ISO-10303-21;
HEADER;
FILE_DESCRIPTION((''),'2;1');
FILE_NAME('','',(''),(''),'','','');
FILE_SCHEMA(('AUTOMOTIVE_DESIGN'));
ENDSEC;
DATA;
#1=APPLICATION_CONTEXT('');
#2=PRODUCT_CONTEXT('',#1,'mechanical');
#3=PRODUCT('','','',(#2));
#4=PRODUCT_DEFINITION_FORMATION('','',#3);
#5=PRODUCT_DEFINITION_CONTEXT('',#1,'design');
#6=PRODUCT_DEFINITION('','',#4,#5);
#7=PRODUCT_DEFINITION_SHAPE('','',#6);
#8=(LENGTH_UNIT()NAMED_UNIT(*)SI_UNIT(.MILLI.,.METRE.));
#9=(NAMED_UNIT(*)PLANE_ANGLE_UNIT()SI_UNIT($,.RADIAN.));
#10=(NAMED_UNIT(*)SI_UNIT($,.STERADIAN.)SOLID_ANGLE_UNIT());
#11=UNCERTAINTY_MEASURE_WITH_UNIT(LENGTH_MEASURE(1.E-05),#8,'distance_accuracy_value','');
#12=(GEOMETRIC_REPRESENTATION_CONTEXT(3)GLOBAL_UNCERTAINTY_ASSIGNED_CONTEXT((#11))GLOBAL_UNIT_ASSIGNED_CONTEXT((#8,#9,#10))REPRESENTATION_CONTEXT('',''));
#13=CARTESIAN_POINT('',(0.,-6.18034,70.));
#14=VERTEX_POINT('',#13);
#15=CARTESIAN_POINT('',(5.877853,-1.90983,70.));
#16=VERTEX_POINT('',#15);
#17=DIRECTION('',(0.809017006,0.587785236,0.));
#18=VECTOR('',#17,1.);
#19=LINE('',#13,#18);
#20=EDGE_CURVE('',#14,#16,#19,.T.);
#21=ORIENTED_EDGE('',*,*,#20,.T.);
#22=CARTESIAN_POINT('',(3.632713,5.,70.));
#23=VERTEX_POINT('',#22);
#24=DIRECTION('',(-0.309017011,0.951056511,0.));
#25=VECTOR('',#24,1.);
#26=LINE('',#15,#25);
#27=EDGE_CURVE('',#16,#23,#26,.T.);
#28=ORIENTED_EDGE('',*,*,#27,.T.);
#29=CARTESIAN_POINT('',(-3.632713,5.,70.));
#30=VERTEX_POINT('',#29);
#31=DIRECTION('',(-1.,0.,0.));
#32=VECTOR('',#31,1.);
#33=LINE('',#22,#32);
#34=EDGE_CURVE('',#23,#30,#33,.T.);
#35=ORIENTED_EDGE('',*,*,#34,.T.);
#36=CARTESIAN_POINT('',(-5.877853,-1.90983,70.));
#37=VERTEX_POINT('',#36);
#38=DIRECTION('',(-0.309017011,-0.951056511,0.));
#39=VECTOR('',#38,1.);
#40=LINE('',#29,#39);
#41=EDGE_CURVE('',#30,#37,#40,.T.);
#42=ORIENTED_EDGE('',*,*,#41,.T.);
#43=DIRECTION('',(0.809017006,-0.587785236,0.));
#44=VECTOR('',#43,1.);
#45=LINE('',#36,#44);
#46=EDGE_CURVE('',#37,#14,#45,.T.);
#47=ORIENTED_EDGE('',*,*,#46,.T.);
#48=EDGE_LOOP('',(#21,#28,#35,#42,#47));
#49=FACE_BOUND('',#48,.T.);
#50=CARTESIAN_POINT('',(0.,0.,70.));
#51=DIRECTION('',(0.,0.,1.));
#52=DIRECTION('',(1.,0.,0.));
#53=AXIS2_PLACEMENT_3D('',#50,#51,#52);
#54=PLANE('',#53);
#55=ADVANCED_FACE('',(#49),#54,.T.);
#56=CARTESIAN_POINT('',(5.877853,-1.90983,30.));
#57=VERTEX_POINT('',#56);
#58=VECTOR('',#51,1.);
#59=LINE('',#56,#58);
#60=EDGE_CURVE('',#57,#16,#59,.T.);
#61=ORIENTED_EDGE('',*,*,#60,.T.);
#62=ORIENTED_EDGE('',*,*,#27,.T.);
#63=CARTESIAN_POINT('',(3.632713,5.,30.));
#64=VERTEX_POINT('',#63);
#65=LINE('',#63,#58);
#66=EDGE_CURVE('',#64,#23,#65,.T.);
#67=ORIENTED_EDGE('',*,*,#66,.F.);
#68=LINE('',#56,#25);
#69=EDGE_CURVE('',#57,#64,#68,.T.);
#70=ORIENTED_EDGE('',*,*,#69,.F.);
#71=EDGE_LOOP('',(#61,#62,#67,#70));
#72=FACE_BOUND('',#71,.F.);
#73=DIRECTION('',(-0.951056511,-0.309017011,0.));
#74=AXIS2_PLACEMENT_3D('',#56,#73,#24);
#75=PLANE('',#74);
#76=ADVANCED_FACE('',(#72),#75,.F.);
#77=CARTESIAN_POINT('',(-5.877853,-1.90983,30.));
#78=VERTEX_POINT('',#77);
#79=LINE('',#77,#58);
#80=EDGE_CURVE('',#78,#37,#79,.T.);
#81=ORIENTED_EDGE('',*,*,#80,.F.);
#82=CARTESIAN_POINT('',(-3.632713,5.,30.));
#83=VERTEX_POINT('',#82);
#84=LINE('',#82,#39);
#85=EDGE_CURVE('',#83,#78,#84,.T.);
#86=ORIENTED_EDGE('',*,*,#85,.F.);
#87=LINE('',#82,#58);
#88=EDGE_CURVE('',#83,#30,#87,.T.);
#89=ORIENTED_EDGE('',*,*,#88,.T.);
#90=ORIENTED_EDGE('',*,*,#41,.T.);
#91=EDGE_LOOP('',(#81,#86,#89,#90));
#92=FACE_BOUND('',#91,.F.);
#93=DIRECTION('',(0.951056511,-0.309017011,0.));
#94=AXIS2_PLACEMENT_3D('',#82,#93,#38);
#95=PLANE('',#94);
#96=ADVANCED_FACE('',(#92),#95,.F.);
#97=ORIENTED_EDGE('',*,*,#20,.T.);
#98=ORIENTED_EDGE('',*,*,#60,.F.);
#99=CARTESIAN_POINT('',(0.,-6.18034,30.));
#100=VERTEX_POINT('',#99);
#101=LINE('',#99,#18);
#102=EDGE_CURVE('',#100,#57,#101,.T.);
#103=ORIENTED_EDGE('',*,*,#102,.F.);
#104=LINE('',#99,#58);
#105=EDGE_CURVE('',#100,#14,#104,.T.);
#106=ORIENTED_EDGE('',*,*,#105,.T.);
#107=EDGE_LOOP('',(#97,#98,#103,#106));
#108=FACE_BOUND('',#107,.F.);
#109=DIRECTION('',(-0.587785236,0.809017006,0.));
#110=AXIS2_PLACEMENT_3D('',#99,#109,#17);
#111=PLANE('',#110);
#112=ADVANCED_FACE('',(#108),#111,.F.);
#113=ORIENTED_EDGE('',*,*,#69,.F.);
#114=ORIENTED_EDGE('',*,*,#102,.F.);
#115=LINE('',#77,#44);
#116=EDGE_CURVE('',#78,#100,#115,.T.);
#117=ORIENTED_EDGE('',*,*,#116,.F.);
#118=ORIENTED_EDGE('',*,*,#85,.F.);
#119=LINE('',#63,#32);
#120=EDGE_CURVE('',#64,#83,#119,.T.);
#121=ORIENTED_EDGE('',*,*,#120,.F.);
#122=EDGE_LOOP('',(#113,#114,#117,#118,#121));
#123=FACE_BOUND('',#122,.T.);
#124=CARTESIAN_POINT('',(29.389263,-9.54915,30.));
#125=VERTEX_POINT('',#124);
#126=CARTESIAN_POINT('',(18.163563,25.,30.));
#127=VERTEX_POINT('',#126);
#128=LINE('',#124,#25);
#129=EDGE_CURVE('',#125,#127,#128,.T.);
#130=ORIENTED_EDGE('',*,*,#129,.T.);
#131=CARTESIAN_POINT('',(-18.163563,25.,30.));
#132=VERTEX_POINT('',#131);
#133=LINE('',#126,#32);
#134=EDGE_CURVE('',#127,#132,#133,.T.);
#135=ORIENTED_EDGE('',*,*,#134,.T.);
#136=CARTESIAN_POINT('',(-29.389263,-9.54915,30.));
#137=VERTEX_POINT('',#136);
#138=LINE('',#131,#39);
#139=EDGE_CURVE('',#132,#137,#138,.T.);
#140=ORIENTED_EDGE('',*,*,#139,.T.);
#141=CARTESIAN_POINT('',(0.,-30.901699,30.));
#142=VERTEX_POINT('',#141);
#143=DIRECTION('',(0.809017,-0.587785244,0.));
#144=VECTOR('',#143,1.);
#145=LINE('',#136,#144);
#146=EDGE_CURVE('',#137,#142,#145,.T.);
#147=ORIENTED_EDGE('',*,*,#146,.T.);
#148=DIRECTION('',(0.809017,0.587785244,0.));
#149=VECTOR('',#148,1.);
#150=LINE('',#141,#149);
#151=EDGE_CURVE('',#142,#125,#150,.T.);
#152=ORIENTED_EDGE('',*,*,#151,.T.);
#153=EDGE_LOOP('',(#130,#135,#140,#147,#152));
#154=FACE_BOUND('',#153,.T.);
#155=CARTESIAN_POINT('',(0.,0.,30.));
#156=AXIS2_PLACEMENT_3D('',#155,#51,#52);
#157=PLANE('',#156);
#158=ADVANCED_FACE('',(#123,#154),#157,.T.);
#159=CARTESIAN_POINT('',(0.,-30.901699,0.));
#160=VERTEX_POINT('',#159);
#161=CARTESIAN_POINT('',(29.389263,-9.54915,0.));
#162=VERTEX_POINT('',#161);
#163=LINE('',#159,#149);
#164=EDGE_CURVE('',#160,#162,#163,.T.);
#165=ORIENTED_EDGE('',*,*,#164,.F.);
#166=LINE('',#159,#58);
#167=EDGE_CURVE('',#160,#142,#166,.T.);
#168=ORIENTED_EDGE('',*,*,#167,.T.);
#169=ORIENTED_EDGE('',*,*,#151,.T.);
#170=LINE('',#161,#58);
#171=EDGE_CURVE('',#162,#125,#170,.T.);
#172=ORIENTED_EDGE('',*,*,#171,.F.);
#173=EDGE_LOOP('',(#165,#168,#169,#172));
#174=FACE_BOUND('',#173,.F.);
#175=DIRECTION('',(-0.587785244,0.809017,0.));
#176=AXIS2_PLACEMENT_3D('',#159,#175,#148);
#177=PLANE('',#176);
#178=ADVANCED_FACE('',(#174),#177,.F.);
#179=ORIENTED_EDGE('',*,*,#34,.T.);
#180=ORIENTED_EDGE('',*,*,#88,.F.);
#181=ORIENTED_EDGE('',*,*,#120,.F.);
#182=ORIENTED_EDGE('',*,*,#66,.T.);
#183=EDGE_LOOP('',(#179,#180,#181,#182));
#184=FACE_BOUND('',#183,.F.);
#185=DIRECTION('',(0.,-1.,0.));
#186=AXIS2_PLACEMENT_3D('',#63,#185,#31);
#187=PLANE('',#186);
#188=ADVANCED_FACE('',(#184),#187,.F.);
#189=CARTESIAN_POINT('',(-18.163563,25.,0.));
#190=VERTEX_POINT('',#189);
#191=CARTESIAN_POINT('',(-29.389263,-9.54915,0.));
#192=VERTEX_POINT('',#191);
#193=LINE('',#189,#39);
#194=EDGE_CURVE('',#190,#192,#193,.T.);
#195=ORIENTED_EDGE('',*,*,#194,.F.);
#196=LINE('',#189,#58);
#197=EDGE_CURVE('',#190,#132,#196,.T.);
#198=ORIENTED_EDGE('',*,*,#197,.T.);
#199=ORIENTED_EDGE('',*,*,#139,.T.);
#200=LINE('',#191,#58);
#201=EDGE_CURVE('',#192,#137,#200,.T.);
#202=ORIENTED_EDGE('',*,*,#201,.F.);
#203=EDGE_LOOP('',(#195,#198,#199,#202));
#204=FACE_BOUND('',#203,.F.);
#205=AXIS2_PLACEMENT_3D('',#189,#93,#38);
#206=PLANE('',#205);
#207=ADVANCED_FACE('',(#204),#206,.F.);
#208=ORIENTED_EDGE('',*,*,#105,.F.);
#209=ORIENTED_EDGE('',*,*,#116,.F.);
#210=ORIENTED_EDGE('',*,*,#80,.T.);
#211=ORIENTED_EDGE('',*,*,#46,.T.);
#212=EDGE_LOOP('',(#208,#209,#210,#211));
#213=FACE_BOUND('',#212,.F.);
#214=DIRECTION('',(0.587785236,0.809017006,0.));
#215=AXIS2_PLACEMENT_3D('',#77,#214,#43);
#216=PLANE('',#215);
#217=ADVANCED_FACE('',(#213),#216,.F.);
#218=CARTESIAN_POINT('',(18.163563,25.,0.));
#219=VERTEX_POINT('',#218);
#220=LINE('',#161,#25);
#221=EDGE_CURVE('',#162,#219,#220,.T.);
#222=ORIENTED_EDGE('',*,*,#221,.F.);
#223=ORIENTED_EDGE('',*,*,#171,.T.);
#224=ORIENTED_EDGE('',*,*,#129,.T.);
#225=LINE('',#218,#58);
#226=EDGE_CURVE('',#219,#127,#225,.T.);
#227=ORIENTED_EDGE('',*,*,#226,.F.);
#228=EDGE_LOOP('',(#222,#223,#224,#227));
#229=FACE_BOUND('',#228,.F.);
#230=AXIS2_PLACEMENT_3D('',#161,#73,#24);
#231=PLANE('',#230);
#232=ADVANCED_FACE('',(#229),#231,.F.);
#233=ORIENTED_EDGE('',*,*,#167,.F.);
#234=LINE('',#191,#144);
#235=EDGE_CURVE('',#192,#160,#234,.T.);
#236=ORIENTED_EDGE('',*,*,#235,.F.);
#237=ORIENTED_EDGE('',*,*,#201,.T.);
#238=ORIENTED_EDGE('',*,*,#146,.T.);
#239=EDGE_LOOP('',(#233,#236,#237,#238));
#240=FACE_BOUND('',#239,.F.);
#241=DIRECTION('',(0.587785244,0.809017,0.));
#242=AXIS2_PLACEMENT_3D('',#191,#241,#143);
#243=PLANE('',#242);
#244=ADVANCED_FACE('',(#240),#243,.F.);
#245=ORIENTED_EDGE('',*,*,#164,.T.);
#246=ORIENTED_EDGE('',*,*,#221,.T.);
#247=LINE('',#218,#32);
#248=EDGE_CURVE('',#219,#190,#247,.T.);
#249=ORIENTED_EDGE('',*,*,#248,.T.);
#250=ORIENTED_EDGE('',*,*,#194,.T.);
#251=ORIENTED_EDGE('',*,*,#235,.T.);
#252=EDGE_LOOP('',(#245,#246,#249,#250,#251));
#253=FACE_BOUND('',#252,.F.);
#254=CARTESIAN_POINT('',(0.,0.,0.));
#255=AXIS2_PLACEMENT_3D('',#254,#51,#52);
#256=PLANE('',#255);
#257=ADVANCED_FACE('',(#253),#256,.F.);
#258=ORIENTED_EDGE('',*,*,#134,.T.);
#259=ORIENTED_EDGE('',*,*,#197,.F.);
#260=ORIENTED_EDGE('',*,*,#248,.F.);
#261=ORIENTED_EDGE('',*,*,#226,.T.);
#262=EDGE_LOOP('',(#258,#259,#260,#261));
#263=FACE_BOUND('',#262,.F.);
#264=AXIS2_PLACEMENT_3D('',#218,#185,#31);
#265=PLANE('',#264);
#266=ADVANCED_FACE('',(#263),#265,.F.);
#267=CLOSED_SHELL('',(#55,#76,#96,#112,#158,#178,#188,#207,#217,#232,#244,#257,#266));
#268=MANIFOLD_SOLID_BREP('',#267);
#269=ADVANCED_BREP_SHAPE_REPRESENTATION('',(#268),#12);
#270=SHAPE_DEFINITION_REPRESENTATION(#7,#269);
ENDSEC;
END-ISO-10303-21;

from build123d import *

# Parameters (mm, degrees)
F1_DEPTH = 30
F3_DEPTH = 40


with BuildPart() as f1:
    # F0 (on Top) → F1 (new body)
    with BuildSketch(Plane.XY):
        Polygon((18.163563, 25), (-18.163563, 25), (-29.389263, -9.54915), (0, -30.901699), (29.389263, -9.54915), align=None)
    extrude(amount=F1_DEPTH)

    # F2 (on face) → F3 (join)
    with BuildSketch(Plane.XY.offset(30)):
        Polygon((-5.877853, -1.90983), (0, -6.18034), (5.877853, -1.90983), (3.632713, 5), (-3.632713, 5), align=None)
    extrude(amount=F3_DEPTH)


solid = f1.part
